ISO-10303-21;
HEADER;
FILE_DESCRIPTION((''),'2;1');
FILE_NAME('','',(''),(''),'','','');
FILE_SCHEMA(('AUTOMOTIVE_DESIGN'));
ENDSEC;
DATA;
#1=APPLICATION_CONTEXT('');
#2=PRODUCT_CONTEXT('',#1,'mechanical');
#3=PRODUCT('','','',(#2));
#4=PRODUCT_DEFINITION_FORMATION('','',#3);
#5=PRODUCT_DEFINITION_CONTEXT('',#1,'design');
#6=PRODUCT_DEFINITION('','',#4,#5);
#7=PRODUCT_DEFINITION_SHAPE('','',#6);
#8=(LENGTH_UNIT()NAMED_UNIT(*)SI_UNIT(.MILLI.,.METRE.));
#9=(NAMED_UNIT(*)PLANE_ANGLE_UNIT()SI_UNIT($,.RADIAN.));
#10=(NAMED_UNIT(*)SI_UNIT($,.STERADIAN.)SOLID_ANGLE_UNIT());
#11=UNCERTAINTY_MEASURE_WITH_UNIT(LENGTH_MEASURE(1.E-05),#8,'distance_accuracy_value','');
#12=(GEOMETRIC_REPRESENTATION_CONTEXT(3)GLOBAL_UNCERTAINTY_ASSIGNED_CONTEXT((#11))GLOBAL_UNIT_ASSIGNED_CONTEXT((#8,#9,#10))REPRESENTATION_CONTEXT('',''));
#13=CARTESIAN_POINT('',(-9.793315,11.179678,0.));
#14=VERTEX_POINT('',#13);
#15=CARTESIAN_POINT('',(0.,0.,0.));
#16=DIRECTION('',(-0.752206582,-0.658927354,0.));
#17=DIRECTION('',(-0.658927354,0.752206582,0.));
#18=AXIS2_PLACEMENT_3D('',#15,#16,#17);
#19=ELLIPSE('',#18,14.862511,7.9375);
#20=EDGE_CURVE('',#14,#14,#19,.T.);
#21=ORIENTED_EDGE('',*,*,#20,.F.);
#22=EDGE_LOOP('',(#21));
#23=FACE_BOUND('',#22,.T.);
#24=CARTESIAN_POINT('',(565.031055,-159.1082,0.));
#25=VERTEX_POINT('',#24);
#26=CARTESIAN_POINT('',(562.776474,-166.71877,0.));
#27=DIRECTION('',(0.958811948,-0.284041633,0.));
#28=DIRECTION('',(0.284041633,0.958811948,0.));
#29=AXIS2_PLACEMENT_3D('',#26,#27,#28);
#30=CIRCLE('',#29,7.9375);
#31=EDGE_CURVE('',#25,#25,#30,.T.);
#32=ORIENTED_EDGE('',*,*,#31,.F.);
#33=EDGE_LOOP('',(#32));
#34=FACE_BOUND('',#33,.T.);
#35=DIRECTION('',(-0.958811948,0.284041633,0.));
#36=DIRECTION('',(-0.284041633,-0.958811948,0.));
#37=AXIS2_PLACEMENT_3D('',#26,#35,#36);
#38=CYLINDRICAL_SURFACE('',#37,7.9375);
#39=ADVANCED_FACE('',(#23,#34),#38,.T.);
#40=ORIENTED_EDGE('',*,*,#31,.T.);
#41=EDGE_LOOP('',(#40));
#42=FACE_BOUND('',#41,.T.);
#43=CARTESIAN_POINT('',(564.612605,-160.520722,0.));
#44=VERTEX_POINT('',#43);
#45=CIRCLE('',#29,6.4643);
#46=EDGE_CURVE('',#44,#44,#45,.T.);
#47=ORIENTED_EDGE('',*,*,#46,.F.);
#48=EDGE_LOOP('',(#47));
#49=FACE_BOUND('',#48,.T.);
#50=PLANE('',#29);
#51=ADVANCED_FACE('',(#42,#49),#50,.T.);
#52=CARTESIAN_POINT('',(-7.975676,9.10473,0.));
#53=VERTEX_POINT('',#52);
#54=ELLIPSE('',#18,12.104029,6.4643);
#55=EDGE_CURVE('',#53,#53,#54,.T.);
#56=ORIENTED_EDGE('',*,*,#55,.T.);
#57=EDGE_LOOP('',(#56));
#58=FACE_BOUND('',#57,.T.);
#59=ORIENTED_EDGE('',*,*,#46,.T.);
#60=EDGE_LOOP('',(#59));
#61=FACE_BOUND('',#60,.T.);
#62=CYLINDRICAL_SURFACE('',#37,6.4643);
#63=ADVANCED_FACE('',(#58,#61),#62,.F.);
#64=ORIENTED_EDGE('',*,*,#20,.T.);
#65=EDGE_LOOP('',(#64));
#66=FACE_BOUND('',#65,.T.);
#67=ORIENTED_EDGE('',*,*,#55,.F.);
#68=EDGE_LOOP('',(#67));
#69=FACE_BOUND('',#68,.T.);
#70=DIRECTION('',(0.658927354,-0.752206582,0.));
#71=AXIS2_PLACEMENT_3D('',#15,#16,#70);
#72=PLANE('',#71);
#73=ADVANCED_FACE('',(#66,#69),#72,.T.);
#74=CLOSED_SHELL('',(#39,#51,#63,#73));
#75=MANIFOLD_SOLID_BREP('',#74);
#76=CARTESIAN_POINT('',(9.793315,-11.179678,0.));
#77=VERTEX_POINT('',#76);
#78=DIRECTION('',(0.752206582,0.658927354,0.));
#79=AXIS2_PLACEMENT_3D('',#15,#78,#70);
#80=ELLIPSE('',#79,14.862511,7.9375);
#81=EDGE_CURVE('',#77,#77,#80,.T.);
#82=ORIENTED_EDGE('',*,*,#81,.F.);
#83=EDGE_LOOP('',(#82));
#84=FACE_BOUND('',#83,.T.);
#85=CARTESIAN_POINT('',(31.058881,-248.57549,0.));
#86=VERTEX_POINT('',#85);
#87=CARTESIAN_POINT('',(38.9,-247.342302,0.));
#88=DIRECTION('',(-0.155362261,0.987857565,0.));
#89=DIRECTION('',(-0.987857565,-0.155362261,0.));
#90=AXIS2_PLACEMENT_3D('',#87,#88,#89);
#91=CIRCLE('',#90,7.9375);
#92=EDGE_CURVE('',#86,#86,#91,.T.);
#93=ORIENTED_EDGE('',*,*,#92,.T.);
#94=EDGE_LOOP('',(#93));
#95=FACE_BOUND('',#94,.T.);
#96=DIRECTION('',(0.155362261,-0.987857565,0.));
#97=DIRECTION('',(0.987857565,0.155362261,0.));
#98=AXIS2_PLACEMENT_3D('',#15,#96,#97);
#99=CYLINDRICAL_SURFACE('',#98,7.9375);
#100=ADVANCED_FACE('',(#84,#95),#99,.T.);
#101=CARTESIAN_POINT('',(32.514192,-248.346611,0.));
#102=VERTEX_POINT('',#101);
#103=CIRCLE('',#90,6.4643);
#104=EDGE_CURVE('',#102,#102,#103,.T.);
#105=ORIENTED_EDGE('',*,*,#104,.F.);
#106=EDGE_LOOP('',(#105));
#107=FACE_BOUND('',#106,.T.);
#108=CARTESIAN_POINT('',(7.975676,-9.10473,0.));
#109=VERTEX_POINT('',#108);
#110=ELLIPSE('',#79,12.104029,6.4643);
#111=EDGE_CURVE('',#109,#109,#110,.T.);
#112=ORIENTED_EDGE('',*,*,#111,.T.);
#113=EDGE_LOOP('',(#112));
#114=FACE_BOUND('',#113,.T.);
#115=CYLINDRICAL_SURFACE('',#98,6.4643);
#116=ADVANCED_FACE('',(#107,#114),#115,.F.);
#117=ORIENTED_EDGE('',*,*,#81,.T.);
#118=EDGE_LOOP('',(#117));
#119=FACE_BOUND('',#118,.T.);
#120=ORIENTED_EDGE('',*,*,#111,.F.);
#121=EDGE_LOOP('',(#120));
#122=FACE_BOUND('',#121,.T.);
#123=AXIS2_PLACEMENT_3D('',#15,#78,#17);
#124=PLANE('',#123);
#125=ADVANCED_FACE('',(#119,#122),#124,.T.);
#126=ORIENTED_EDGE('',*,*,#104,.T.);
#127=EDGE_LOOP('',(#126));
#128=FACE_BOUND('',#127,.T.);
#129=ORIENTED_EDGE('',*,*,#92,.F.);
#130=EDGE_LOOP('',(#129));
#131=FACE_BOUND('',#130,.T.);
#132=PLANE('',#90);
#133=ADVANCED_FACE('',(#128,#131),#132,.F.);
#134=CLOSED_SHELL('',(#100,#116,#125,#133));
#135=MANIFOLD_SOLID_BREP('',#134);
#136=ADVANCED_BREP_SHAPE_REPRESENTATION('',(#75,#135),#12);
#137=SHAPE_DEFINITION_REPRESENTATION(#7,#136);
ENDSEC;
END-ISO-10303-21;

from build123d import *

# Parameters (mm, degrees)
SKETCH11_R                 = 7.9375
SKETCH11_R_2               = 6.4643
STRUCTURAL_MEMBER1_DEPTH   = 269.152773911
SKETCH11_ON_SEGMENT_2_R    = 7.9375
SKETCH11_ON_SEGMENT_2_R_2  = 6.4643
STRUCTURAL_MEMBER1_2_DEPTH = 605.722096433


with BuildPart() as part:
    # Sketch11 → Structural Member1 (new body)
    with BuildSketch(Plane(origin=(38.9, -247.342302395, 0), x_dir=(-0.9878575646087404, -0.15536226068543246, 0), z_dir=(-0.15536226068543246, 0.9878575646087404, 0))):
        Circle(SKETCH11_R)
        Circle(SKETCH11_R_2, mode=Mode.SUBTRACT)
    extrude(amount=STRUCTURAL_MEMBER1_DEPTH)

    # Structural Member1 mitre 1
    split(bisect_by=Plane(origin=(0, 0, 0), x_dir=(0.658927354, -0.752206582, 0), z_dir=(-0.752206582, -0.658927354, 0)), keep=Keep.TOP)


with BuildPart() as body_2:
    # Sketch11 on segment 2 (carried to segment 2) → Structural Member1 2 (new body)
    with BuildSketch(Plane(origin=(-17.9971088, 5.331523223, 0), x_dir=(0.284041633, 0.958811948, 0), z_dir=(0.958811948, -0.284041633, 0))):
        Circle(SKETCH11_ON_SEGMENT_2_R)
        Circle(SKETCH11_ON_SEGMENT_2_R_2, mode=Mode.SUBTRACT)
    extrude(amount=STRUCTURAL_MEMBER1_2_DEPTH)

    # Structural Member1 2 mitre 1
    split(bisect_by=Plane(origin=(0, 0, 0), x_dir=(-0.658927354, 0.752206582, 0), z_dir=(0.752206582, 0.658927354, 0)), keep=Keep.TOP)


solid = Compound([part.part, body_2.part])
